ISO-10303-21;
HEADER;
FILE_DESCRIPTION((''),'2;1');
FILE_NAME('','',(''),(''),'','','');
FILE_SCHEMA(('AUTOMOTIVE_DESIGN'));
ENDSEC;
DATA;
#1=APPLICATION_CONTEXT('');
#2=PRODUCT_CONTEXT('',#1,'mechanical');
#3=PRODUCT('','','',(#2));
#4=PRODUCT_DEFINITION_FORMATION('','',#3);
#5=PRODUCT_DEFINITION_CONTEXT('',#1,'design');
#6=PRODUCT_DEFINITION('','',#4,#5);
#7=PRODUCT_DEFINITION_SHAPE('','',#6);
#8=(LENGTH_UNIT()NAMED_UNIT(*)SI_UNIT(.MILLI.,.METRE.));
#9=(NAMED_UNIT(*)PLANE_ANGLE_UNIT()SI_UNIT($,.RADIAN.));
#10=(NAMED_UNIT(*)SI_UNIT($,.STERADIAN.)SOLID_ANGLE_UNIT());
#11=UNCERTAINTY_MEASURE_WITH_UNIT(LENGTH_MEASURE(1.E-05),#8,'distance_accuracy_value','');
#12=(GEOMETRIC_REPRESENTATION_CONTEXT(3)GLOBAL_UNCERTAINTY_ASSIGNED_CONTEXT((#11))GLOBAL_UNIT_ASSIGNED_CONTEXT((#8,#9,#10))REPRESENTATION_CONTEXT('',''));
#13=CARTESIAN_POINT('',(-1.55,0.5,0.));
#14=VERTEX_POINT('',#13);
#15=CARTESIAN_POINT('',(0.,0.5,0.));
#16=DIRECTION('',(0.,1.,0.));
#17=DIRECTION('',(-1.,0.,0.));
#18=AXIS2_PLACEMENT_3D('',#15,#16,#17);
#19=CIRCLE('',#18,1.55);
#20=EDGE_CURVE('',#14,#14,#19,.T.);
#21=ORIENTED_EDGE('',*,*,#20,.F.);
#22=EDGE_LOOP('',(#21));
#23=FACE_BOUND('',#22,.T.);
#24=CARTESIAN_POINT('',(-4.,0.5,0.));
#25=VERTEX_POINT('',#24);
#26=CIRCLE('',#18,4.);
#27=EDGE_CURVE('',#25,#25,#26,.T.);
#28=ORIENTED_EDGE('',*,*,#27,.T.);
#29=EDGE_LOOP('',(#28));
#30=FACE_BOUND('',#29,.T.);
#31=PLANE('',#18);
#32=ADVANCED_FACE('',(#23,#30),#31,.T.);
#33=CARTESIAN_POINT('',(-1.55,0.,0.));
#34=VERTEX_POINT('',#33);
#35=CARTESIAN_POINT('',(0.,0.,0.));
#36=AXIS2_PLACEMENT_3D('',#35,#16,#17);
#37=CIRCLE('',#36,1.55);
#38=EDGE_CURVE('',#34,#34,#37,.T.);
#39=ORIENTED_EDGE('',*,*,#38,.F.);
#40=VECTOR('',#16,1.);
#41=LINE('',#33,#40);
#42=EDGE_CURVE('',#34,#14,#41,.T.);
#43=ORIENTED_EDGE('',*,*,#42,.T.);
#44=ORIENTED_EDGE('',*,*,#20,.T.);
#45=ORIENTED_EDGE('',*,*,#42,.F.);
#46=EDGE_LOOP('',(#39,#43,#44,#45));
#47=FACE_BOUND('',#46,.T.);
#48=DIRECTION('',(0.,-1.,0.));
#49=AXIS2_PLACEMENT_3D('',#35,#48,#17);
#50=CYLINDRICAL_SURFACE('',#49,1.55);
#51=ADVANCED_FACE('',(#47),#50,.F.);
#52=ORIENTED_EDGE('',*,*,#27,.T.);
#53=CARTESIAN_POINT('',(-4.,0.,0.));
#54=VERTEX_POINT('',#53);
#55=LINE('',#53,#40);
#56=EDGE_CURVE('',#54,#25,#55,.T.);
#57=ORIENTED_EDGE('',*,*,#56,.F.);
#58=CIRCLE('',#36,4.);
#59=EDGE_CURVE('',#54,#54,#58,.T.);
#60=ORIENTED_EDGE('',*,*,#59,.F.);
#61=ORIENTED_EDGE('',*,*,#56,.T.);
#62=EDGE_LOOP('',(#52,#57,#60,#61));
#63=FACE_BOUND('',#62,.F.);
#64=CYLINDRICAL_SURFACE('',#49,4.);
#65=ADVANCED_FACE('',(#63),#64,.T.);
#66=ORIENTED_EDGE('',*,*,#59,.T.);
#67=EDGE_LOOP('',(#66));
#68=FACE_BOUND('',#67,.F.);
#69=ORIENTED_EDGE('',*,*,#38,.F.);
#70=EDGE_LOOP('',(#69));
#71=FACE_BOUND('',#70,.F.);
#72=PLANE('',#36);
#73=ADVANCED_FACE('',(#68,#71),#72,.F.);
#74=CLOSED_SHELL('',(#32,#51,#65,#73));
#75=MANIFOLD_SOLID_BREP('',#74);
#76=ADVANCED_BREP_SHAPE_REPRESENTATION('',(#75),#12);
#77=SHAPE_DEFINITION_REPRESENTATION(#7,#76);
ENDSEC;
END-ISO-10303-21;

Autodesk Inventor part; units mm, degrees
ref_plane "YZ Plane" through (0, 0, 0) normal (1, 0, 0) x (0, 1, 0)
ref_plane "XZ Plane" through (0, 0, 0) normal (0, 1, 0) x (-1, 0, 0)
ref_plane "XY Plane" through (0, 0, 0) normal (0, 0, 1) x (1, 0, 0)
sketch "スケッチ1" plane through (0, 0, 0) normal (0, 1, 0) x (-1, 0, 0)
  circle A0 centre (0, 0) radius 4
  circle A1 centre (0, 0) radius 1.55
  dimension "d0" = 8
  dimension "d1" = 3.1
extrude "押し出し1" add sketch "スケッチ1" along normal blind 0.5
equation "\"BendRadius\" = Thickness"
equation "\"BendReliefWidth\" = Thickness"
equation "\"BendReliefDepth\" = 0.5 * Thickness"
equation "\"CornerReliefSize\" = 4 * Thickness"
equation "\"MinimumRemnant\" = 2 * Thickness"
equation "\"TransitionRadius\" = BendRadius"
equation "\"JacobiRadiusSize\" = BendRadius"
equation "\"GapSize\" = Thickness"
equation "\"Thickness\" = 1"
properties part number "pom_bush"
